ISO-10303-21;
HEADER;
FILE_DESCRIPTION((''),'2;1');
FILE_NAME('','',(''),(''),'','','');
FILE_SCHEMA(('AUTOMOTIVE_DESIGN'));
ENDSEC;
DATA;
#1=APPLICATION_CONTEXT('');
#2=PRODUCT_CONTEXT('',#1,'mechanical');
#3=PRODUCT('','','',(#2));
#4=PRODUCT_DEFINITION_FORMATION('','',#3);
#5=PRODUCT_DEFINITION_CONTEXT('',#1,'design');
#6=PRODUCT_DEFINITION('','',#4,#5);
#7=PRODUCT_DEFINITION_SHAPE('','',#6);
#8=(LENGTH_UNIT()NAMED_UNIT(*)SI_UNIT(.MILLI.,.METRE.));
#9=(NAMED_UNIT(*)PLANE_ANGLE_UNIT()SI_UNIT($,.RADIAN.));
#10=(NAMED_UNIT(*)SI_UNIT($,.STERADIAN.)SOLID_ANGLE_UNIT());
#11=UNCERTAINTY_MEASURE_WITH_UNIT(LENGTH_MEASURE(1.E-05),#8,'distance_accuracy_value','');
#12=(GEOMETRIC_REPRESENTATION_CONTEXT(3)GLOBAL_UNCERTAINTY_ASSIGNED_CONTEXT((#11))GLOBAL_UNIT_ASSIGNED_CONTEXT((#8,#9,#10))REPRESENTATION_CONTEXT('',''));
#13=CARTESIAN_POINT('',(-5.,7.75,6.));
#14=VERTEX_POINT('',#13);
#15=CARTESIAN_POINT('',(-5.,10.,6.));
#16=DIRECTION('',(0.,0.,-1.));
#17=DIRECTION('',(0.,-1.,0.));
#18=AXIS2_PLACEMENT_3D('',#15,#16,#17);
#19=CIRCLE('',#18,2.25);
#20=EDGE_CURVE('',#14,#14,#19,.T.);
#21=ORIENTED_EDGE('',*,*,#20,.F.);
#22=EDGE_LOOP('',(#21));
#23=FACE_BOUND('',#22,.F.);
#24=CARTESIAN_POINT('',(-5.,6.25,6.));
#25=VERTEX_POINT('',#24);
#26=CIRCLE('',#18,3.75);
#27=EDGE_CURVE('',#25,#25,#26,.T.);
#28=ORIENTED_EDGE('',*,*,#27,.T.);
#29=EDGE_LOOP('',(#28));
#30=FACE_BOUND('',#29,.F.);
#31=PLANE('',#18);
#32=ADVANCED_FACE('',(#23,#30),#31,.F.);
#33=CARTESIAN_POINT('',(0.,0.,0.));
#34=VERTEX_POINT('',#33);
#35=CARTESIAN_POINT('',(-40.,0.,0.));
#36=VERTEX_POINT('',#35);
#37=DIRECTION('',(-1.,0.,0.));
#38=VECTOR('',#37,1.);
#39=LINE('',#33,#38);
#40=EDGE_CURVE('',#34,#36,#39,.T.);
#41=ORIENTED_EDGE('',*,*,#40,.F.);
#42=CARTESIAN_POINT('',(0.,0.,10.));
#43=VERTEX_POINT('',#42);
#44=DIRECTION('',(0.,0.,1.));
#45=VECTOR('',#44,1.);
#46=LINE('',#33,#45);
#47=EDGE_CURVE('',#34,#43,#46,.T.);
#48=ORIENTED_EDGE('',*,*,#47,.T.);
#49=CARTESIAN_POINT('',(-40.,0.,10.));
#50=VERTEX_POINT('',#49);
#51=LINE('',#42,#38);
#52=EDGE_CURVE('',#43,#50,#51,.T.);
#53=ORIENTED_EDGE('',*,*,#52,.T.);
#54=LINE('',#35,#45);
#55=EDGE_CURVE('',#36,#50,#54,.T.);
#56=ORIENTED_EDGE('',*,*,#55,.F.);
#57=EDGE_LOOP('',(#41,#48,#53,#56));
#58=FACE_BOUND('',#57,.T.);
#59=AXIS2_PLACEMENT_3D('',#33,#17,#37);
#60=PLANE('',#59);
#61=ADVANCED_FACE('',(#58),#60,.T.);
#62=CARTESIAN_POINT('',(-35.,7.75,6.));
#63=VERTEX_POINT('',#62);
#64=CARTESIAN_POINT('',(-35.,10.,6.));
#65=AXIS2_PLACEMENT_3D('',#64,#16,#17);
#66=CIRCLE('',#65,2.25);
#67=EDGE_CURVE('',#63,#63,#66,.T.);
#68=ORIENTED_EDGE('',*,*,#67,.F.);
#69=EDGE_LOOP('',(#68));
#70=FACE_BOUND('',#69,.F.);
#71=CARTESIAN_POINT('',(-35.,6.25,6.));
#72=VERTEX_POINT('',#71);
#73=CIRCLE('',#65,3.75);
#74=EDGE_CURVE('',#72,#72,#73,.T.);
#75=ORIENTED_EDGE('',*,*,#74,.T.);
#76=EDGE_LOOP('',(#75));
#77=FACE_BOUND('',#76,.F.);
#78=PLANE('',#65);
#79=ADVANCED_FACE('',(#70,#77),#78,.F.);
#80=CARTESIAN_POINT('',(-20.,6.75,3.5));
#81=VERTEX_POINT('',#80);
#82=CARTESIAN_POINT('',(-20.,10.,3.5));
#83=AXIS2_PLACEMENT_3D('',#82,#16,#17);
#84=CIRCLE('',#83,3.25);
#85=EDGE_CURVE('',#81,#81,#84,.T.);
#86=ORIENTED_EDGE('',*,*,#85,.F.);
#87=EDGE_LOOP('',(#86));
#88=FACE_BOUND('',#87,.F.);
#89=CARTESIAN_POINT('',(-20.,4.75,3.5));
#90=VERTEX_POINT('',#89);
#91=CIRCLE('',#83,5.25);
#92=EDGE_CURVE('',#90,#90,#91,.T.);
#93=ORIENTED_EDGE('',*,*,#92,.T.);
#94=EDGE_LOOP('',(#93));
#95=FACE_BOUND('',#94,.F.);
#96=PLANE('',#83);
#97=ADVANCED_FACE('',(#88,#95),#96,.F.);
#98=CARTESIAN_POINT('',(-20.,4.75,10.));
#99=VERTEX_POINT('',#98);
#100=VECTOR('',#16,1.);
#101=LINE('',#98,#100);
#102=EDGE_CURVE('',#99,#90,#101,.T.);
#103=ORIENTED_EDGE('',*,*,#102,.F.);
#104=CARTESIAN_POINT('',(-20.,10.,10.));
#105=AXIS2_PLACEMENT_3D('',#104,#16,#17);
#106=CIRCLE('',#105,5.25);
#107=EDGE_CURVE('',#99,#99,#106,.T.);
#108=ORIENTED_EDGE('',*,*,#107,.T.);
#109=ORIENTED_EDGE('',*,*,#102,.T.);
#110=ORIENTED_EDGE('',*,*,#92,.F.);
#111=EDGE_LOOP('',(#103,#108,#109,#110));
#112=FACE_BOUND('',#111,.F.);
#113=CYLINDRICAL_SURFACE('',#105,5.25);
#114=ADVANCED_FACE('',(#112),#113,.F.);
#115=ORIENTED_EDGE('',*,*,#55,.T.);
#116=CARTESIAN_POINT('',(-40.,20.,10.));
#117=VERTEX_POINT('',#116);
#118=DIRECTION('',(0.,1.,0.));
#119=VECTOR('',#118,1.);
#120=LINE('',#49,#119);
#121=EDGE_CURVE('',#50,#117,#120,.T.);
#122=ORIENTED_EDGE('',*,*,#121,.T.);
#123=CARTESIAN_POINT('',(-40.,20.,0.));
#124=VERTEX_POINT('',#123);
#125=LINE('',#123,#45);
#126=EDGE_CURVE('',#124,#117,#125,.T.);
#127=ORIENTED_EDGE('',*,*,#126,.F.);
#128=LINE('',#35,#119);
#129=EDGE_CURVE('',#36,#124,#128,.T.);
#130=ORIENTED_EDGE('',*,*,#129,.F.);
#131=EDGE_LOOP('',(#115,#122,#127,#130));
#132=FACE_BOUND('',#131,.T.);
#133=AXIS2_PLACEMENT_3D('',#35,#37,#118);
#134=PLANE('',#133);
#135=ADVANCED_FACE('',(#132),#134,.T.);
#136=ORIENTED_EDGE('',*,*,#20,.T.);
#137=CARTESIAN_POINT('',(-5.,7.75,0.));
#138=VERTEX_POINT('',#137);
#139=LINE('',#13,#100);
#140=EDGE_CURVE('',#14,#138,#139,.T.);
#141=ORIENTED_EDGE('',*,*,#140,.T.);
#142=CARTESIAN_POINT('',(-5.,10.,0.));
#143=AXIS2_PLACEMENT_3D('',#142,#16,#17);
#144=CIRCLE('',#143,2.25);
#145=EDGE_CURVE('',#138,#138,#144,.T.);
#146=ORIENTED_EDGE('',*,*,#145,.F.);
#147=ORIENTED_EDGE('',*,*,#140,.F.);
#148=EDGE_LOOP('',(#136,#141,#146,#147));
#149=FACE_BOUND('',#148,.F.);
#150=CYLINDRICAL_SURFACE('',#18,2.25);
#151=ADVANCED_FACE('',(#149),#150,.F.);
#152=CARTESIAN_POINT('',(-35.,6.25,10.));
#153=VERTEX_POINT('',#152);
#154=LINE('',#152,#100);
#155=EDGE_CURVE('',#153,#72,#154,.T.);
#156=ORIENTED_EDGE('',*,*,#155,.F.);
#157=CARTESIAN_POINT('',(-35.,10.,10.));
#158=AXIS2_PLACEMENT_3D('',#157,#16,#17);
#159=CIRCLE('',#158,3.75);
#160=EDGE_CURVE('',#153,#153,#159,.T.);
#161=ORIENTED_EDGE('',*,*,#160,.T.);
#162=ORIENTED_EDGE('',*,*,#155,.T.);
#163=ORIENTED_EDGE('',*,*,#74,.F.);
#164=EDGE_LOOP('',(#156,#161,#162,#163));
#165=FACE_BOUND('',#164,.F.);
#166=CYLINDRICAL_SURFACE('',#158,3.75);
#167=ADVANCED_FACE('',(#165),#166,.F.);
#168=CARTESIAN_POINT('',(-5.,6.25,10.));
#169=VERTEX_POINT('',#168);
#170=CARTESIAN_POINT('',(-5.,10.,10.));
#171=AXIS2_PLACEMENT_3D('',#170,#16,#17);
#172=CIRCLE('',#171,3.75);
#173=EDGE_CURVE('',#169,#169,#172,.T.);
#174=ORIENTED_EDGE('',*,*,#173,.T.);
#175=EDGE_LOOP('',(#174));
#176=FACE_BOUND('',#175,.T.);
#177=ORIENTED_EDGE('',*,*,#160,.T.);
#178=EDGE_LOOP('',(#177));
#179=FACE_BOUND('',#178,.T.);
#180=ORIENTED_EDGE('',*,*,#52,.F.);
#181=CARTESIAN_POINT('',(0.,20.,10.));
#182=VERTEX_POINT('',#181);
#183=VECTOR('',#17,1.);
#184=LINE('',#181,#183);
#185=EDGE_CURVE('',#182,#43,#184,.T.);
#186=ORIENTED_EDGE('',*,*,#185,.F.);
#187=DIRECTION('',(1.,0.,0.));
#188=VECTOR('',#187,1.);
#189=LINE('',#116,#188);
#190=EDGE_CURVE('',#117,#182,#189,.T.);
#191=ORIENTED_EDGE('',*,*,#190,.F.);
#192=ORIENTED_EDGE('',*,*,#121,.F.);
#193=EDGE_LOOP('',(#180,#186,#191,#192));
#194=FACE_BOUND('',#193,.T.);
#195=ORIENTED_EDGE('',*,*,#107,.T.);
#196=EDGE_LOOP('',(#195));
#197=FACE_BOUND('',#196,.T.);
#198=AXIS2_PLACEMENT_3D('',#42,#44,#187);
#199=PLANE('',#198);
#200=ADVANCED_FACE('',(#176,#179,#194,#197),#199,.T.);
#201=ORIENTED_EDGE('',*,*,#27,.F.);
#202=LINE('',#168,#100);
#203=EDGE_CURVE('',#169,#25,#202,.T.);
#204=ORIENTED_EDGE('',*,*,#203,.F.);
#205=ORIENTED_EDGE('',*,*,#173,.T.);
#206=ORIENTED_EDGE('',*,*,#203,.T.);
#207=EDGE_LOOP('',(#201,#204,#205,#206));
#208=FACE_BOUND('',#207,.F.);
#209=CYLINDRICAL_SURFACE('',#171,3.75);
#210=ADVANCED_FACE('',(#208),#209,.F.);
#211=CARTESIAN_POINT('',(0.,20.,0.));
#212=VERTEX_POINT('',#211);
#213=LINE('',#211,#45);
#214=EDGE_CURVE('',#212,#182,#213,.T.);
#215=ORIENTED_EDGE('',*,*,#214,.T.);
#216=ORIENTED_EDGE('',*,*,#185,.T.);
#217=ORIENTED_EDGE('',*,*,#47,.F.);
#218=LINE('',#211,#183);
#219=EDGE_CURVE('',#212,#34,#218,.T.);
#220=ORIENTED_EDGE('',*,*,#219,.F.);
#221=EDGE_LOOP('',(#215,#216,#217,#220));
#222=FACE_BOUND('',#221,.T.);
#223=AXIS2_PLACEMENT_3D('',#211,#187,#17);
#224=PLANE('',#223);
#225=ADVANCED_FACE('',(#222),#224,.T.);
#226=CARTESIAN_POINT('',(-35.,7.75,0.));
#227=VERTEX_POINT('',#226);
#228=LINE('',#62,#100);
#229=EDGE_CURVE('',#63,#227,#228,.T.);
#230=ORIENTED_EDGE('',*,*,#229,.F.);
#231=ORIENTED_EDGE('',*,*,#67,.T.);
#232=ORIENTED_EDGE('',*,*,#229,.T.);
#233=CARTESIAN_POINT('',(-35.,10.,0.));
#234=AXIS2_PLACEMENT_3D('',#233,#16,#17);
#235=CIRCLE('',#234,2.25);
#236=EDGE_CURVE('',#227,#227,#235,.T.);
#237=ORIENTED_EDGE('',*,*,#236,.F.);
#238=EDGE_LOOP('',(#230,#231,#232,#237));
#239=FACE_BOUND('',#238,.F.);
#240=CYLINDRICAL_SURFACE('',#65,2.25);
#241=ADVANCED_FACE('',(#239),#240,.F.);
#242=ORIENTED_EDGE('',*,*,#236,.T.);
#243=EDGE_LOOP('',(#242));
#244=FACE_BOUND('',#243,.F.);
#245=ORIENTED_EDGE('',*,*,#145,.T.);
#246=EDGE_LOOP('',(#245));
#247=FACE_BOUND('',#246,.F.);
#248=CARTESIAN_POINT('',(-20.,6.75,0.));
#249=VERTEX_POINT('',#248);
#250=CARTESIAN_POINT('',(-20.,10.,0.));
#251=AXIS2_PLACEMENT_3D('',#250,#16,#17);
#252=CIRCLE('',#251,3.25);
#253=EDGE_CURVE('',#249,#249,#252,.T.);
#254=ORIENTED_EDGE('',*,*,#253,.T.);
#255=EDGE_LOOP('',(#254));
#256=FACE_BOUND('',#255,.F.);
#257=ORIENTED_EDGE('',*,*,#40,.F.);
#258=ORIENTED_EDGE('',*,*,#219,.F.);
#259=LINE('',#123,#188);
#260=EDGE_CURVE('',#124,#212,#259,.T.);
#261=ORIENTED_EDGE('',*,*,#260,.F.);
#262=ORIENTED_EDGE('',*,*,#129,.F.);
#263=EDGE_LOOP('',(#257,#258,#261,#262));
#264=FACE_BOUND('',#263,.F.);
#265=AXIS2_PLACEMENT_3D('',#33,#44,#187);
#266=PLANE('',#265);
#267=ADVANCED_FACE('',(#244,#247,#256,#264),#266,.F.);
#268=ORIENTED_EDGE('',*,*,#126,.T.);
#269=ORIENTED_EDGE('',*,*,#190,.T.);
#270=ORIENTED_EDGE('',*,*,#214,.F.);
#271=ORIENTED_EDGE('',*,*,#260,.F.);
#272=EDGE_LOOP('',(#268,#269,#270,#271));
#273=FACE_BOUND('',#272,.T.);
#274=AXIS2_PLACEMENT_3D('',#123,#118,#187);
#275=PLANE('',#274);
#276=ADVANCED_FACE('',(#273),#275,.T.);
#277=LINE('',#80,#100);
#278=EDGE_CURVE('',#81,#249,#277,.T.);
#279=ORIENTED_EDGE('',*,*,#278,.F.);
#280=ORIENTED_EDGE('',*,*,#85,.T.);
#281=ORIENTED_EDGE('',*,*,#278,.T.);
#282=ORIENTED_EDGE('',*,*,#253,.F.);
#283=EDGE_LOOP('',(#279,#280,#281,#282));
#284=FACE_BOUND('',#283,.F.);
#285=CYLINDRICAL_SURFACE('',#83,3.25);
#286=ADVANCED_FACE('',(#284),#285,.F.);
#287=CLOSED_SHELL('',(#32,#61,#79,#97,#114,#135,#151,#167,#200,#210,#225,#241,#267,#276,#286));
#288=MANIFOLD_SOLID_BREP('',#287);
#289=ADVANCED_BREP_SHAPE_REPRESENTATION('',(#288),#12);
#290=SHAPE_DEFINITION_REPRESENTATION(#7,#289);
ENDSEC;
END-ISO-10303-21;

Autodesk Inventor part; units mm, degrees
ref_plane "YZ Plane" through (0, 0, 0) normal (1, 0, 0) x (0, 1, 0)
ref_plane "XZ Plane" through (0, 0, 0) normal (0, 1, 0) x (-1, 0, 0)
ref_plane "XY Plane" through (0, 0, 0) normal (0, 0, 1) x (1, 0, 0)
sketch "Sketch4" plane through (0, 0, 0) normal (0, 0, 1) x (1, 0, 0)
  line L0 (0, 0) -> (-40, 0)
  line L1 (-40, 0) -> (-40, 20)
  line L2 (-40, 20) -> (0, 20)
  line L3 (0, 20) -> (0, 0)
  dimension "d37" = 40
  dimension "d38" = 20
extrude "Extrusion2" add sketch "Sketch4" along normal blind 10
hole "Hole2" at (-20, 10, 10) direction (0, 0, -1) diameter 6.5 depth 10 tip angle 118 counterbore diameter 10.5 counterbore depth 6.5
hole "Hole3" at (-35, 10, 10) direction (0, 0, -1) diameter 4.5 depth 10 tip angle 118 counterbore diameter 7.5 counterbore depth 4
hole "Hole4" at (-5, 10, 10) direction (0, 0, -1) diameter 4.5 depth 10 tip angle 118 counterbore diameter 7.5 counterbore depth 4
properties part number "GARFO" material "Aluminium AW-7020"
